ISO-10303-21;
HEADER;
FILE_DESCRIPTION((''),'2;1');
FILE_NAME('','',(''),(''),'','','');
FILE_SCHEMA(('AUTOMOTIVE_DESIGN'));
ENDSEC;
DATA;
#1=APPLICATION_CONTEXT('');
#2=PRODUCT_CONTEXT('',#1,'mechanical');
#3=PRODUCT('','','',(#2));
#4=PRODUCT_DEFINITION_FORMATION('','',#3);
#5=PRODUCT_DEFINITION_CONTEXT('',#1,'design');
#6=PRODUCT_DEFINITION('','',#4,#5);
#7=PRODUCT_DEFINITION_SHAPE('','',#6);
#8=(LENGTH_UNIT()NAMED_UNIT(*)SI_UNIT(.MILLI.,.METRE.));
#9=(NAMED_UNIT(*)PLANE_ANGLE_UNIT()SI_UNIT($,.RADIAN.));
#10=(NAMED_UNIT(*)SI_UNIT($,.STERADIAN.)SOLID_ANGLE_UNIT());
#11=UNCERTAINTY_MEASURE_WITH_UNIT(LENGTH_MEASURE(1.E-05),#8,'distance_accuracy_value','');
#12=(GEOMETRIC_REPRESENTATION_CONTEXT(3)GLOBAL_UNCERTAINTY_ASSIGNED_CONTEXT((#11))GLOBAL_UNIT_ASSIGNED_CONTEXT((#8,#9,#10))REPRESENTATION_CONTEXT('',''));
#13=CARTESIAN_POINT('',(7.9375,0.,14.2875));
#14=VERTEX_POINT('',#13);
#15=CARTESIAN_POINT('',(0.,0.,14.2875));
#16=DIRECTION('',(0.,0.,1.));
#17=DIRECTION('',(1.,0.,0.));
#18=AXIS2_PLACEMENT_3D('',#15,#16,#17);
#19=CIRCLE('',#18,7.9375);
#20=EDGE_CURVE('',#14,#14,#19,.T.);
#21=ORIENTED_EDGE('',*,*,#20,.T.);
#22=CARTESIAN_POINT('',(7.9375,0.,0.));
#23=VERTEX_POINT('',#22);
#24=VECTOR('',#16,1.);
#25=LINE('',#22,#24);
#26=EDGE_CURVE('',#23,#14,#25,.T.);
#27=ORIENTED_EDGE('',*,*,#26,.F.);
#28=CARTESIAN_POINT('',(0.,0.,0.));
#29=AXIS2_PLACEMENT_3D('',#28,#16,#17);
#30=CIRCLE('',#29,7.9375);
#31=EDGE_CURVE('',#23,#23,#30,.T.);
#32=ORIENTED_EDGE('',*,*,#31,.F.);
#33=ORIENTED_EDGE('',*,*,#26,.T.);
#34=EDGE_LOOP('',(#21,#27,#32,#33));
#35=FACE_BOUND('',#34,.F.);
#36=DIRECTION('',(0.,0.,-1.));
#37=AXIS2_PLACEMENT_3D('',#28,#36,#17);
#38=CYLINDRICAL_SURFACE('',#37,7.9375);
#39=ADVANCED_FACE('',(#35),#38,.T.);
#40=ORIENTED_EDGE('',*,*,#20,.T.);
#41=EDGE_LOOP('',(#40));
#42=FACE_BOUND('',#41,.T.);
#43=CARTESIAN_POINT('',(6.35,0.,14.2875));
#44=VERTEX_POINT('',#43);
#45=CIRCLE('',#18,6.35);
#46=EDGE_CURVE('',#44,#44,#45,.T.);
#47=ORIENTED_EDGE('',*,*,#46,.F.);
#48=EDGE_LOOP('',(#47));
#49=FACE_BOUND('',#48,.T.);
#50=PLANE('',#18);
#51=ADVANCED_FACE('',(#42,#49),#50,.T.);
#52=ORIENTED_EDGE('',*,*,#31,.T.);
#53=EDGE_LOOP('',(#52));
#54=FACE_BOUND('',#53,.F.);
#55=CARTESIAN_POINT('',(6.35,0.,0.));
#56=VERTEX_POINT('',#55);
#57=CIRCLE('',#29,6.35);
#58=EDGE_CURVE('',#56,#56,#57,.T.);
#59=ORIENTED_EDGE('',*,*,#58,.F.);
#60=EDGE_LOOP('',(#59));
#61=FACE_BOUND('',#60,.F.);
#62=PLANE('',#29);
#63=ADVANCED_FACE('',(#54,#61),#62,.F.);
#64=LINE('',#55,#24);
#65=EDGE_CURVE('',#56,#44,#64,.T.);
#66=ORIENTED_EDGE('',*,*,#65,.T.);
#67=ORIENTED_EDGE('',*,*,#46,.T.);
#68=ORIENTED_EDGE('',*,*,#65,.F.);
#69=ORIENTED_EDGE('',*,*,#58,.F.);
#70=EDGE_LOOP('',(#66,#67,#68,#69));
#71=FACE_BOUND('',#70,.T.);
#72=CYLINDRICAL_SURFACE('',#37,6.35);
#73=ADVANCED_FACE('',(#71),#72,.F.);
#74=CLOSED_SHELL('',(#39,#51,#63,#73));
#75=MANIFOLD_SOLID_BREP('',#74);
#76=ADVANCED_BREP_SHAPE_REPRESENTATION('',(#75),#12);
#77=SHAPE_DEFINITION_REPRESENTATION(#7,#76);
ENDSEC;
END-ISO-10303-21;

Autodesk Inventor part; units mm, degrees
ref_plane "YZ Plane" through (0, 0, 0) normal (1, 0, 0) x (0, 1, 0)
ref_plane "XZ Plane" through (0, 0, 0) normal (0, 1, 0) x (-1, 0, 0)
ref_plane "XY Plane" through (0, 0, 0) normal (0, 0, 1) x (1, 0, 0)
sketch "Sketch1" plane through (0, 0, 0) normal (0, 0, 1) x (1, 0, 0)
  circle A0 centre (0, 0) radius 7.9375
  circle A1 centre (0, 0) radius 6.35
  dimension "d0" = 15.875
  dimension "d5" = 12.7
extrude "Extrusion1" add sketch "Sketch1" along normal blind 14.2875
properties part number "Wheel - Spacer"
